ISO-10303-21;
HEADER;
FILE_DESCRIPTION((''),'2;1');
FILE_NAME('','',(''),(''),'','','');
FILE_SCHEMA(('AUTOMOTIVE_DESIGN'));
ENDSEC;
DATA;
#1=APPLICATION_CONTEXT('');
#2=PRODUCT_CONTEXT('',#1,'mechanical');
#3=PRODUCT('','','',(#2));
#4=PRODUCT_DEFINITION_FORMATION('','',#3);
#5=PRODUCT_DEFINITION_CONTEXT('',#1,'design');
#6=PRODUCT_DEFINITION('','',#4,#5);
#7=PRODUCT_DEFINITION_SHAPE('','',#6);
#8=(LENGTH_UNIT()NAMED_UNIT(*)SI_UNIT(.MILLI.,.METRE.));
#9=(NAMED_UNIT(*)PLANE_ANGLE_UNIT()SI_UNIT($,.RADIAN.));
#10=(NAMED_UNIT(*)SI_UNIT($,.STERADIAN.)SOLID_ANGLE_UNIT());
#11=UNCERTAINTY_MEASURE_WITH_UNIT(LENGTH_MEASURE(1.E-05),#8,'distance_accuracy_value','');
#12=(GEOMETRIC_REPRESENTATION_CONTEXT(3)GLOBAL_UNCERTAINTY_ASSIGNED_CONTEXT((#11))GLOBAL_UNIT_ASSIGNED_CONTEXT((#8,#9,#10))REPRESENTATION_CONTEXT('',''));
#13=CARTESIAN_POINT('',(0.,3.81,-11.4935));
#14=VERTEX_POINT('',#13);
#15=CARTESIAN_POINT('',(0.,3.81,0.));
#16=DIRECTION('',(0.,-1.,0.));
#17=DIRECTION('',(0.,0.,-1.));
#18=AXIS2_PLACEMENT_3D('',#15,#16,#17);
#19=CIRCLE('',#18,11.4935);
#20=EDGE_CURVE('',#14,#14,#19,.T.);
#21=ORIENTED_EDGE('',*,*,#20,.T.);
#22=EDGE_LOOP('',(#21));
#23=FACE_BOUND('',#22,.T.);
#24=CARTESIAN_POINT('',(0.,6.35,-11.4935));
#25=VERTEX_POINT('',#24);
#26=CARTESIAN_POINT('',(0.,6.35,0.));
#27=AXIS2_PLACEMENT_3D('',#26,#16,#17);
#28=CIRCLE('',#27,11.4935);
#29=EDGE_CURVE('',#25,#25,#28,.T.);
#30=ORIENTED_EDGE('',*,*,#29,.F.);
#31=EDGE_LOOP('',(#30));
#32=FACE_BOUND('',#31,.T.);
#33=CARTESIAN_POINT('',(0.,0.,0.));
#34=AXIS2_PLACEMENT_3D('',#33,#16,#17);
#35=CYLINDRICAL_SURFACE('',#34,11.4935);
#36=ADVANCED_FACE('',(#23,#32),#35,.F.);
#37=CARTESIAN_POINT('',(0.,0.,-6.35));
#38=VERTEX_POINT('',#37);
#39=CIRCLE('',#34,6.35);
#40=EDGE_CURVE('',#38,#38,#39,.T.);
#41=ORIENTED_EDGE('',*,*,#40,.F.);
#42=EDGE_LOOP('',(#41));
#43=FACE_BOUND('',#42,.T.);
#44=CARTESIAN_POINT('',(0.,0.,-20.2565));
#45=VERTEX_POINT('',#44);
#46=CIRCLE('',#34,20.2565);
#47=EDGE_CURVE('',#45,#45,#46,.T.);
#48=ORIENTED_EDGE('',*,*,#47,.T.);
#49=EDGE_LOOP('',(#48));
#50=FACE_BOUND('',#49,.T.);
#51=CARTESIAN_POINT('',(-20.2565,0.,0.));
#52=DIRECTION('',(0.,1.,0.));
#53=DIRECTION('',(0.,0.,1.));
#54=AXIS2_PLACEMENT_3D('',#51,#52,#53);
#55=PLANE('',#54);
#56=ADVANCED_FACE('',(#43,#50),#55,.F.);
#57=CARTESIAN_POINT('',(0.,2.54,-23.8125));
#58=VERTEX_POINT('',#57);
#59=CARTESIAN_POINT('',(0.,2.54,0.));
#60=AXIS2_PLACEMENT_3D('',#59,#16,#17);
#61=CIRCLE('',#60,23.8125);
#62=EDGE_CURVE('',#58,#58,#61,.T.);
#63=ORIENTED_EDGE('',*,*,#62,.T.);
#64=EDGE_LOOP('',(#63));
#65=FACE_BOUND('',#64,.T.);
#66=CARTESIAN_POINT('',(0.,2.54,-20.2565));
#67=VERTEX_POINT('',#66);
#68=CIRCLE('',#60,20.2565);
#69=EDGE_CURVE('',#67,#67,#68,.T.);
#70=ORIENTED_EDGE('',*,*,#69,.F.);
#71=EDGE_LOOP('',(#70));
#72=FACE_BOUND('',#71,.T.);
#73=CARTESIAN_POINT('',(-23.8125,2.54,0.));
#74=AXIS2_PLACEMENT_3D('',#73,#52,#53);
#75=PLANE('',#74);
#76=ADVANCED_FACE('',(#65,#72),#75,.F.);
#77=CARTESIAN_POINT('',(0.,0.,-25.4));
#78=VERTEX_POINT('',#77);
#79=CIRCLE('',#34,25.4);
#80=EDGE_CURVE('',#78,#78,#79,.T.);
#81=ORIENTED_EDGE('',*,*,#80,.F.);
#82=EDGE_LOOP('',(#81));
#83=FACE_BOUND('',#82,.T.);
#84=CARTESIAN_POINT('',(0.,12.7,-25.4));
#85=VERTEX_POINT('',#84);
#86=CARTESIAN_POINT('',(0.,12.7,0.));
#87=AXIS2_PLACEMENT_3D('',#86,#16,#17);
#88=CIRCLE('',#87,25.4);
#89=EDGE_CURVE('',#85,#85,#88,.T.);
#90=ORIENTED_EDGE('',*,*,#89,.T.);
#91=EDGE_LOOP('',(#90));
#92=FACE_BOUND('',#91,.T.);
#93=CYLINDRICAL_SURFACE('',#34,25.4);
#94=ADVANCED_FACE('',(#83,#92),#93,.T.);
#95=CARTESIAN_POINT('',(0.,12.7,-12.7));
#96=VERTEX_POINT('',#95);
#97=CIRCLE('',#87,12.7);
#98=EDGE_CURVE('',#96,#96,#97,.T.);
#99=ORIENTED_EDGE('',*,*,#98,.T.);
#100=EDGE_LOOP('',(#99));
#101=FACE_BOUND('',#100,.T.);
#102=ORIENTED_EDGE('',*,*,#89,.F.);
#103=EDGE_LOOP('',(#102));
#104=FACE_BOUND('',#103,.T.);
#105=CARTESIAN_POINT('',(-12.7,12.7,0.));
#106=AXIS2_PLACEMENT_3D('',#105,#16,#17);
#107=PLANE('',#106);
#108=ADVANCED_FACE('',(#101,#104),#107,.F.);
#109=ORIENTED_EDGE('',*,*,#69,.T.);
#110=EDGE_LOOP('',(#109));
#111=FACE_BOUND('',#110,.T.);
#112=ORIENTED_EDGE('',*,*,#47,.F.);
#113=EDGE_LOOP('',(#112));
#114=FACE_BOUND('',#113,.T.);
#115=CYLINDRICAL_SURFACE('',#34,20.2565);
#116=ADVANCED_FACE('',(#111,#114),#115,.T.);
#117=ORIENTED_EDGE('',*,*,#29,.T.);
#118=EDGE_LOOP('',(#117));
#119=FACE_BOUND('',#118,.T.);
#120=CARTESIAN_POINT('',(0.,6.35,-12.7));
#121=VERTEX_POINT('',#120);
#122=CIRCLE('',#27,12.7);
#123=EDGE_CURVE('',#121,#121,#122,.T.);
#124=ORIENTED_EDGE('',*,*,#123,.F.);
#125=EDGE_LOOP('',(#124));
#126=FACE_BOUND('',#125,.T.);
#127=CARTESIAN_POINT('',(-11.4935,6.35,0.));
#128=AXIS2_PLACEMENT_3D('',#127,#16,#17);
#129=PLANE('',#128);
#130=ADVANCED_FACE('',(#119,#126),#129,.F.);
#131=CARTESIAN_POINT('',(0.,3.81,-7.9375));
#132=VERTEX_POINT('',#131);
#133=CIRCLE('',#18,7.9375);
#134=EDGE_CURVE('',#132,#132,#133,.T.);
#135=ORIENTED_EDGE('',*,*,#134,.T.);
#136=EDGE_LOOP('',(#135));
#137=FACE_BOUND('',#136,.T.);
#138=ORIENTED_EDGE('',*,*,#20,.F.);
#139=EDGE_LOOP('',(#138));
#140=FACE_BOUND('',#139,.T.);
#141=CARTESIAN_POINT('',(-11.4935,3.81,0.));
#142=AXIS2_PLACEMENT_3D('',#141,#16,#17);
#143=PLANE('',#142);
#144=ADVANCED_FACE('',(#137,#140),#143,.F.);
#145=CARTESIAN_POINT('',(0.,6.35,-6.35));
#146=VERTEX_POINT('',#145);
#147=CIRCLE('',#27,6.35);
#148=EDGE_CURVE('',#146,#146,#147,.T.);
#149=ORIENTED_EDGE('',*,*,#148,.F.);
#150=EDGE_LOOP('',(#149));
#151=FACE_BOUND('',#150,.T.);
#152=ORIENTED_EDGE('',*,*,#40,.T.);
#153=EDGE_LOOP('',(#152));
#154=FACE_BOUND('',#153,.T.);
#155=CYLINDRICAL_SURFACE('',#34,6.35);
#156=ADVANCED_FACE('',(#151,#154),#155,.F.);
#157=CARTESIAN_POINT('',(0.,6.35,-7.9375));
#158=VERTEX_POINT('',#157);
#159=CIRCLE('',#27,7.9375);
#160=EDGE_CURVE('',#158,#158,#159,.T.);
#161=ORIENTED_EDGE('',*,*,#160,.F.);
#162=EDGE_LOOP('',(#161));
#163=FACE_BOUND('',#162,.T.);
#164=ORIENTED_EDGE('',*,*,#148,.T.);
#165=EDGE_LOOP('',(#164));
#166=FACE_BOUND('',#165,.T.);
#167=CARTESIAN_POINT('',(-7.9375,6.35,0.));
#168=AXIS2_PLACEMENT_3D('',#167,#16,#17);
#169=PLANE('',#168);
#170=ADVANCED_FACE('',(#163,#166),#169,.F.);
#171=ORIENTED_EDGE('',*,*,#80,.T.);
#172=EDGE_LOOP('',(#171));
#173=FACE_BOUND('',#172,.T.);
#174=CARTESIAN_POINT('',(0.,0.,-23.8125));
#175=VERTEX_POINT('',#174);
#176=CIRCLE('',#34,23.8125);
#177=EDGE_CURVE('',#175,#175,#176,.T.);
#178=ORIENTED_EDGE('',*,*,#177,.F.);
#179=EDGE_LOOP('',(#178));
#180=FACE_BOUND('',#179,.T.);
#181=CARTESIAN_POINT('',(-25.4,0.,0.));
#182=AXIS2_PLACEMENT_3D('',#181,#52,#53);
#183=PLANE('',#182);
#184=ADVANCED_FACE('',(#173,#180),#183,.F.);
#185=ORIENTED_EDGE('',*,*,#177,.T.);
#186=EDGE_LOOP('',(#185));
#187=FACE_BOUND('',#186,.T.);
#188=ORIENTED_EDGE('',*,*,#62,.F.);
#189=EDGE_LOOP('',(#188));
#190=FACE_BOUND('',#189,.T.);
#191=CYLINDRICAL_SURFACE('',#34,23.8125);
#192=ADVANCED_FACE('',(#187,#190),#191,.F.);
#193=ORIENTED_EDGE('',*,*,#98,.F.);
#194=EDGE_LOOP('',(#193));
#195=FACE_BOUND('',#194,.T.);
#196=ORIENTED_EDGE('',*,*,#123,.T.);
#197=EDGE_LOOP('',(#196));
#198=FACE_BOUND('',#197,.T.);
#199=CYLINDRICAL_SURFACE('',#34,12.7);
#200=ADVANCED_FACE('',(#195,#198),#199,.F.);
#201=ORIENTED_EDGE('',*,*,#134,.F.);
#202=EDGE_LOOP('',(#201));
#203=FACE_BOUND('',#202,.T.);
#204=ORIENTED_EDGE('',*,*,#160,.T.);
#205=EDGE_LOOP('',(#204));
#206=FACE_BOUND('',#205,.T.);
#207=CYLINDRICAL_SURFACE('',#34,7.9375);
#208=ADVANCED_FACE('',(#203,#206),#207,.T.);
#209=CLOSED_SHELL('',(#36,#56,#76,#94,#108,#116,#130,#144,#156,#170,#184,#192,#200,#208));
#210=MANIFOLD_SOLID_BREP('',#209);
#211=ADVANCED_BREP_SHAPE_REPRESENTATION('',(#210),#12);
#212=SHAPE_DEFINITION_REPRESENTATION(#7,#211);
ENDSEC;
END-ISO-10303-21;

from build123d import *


with BuildPart() as part:
    # Sketch1 → Revolve1 (revolve)
    with BuildSketch(Plane.XY):
        Polygon((-6.35, 0), (-6.35, 6.35), (-7.9375, 6.35), (-7.9375, 3.81), (-11.4935, 3.81), (-11.4935, 6.35), (-12.7, 6.35), (-12.7, 12.7), (-25.4, 12.7), (-25.4, 0), (-23.8125, 0), (-23.8125, 2.54), (-20.2565, 2.54), (-20.2565, 0), align=None)
    revolve(axis=Axis((0, 0, 0), (0, 1, 0)))


solid = part.part
